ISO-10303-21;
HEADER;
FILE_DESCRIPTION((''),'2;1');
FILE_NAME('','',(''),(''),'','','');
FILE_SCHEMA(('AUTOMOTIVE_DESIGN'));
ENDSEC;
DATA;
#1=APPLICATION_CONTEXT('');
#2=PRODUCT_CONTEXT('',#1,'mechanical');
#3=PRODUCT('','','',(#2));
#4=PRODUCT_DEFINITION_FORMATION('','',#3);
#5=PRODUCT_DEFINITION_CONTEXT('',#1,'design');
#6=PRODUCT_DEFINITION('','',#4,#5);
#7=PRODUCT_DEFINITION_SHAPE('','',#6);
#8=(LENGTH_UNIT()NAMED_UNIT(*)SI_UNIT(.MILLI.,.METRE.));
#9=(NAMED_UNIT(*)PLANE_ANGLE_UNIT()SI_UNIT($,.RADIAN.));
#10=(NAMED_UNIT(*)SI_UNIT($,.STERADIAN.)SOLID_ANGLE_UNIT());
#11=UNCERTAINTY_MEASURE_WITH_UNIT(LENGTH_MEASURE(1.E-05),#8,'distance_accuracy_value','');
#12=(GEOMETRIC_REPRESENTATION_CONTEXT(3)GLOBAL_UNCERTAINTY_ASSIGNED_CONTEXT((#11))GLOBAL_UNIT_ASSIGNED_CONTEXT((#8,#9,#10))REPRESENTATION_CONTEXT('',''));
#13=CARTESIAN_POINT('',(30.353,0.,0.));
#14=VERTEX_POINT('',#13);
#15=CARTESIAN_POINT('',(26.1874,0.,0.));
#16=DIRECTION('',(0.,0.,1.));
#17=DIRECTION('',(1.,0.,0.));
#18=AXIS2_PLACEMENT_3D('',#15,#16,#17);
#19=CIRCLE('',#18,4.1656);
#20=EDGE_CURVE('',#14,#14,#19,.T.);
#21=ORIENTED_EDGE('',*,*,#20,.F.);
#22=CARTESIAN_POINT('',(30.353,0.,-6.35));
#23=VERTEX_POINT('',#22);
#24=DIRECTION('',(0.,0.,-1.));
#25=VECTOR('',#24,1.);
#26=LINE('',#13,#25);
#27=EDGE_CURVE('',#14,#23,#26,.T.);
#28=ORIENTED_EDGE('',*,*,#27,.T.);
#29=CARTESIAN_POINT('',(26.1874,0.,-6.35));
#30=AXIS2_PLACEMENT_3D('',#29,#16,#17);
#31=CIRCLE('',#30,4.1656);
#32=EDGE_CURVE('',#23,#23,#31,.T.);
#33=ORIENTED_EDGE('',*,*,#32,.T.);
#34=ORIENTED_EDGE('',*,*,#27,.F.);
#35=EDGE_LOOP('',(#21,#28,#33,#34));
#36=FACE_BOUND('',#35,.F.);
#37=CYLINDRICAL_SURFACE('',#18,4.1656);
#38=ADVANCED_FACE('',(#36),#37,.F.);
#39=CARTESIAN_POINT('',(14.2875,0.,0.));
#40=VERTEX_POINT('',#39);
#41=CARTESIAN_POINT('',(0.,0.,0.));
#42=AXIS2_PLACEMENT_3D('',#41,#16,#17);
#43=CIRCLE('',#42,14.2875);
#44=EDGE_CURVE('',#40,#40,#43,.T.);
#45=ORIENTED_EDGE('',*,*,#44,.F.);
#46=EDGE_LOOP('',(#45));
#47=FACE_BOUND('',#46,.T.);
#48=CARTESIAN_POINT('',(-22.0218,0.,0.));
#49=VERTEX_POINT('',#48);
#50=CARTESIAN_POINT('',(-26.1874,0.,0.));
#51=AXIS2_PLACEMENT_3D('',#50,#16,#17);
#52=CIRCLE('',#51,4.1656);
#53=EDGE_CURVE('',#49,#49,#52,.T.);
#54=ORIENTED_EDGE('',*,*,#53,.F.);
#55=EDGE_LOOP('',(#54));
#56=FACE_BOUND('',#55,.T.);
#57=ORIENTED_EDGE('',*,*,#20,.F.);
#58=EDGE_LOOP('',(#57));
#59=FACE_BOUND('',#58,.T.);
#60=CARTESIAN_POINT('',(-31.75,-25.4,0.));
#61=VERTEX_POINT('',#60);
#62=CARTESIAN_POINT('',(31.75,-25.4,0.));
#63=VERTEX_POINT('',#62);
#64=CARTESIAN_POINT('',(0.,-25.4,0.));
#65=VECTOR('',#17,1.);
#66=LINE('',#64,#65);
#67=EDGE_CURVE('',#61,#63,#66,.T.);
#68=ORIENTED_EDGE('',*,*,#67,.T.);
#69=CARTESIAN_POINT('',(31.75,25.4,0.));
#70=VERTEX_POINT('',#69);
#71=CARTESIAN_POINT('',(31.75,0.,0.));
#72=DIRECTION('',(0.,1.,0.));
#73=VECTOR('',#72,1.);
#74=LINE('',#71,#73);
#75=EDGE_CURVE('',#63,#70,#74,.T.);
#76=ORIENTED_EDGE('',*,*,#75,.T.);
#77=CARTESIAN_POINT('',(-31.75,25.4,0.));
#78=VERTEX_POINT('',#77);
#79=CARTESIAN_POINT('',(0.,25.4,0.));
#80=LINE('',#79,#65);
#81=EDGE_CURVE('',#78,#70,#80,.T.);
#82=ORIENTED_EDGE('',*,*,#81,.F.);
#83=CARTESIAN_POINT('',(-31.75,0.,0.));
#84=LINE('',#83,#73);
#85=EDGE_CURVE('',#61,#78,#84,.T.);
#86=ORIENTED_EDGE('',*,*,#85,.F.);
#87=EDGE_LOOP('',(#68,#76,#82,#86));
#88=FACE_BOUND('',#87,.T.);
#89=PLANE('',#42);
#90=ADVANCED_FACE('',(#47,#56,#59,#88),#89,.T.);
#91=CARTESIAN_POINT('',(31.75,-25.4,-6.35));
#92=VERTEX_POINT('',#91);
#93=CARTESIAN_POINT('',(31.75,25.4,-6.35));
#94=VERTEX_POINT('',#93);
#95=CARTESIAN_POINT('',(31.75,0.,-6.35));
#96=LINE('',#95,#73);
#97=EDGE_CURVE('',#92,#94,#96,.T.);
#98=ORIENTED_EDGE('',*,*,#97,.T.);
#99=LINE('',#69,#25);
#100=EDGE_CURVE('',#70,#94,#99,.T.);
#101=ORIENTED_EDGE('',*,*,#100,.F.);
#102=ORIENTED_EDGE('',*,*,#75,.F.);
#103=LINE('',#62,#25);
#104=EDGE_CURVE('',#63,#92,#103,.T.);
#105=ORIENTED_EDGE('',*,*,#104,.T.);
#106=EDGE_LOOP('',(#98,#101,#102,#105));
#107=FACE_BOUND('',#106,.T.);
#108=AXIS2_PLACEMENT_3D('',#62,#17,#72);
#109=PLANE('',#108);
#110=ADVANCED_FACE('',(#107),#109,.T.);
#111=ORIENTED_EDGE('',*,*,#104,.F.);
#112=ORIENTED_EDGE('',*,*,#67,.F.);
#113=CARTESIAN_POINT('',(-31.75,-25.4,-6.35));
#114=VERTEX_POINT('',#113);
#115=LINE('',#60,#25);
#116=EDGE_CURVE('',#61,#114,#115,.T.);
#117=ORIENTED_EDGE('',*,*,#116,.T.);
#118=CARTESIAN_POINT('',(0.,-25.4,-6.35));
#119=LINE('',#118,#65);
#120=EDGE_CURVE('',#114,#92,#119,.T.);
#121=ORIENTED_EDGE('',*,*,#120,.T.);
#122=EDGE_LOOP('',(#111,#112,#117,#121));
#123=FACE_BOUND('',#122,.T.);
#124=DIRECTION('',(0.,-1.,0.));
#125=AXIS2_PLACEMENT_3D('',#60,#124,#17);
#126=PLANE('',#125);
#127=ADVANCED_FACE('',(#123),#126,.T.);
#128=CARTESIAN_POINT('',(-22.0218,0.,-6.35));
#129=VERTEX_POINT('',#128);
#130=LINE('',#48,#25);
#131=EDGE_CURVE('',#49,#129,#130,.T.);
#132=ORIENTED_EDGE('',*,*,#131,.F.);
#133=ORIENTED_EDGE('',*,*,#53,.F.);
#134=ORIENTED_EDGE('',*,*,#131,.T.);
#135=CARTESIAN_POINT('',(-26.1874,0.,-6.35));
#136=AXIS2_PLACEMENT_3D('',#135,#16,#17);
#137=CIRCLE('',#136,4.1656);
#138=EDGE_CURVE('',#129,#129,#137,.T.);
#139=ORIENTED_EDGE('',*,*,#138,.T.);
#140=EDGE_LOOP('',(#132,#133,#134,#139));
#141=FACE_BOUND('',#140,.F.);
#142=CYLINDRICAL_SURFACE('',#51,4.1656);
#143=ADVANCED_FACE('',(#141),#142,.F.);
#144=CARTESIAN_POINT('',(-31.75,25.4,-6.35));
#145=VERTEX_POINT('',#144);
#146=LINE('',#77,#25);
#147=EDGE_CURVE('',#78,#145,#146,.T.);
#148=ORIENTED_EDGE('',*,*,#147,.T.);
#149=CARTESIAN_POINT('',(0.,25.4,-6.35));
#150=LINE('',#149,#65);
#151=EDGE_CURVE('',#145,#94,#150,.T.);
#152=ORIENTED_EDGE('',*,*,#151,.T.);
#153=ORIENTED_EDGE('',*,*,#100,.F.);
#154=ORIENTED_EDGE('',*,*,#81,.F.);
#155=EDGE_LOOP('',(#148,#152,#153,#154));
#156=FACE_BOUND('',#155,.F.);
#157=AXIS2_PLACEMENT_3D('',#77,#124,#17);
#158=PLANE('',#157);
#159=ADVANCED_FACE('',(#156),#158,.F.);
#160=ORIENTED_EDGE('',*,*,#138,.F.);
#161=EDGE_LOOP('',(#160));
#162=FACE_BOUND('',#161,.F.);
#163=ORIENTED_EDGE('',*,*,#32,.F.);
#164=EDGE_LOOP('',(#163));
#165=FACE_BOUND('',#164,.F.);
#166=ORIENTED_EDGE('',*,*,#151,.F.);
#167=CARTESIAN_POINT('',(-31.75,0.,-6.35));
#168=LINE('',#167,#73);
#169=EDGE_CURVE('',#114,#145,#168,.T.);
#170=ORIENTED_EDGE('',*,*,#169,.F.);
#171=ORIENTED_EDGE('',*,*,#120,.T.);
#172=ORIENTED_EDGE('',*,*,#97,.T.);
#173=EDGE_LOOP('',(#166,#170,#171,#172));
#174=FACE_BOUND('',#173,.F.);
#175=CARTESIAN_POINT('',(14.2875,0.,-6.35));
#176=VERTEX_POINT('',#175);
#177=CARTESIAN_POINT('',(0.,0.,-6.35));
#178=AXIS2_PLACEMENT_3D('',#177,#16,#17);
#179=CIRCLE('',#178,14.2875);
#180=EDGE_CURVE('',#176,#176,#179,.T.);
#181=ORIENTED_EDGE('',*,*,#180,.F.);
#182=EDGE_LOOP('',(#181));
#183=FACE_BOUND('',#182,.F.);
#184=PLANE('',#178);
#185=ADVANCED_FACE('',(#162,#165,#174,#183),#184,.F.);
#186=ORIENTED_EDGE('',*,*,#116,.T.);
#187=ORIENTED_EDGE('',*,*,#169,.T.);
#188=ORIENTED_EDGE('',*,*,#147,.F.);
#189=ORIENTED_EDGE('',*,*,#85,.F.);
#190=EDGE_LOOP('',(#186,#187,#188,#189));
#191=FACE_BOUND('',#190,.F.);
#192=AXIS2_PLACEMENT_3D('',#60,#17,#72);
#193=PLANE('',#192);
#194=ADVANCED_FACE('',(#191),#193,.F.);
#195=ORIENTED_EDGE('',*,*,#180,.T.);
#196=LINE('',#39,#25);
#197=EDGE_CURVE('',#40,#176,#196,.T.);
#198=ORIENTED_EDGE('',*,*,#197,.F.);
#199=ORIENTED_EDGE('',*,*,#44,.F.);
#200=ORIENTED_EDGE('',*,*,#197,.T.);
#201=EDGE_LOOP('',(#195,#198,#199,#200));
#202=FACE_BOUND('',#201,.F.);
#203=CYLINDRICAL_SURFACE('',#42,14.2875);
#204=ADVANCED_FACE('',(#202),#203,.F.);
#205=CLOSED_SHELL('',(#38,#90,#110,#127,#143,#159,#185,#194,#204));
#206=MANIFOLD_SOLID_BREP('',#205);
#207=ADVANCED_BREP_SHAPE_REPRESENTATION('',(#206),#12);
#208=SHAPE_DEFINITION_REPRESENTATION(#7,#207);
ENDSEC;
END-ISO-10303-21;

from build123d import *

# Parameters (mm, degrees)
F0_W     = 63.5
F0_H     = 50.8
F0_R     = 4.1656
F0_R_2   = 14.2875
F1_DEPTH = 6.35


with BuildPart() as f1:
    # F0 (on Top) → F1 (new body)
    with BuildSketch(Plane.XY):
        Rectangle(F0_W, F0_H)
        with Locations((-26.1874, 0)):
            Circle(F0_R, mode=Mode.SUBTRACT)
        Circle(F0_R_2, mode=Mode.SUBTRACT)
        with Locations((26.1874, 0)):
            Circle(F0_R, mode=Mode.SUBTRACT)
    extrude(amount=-F1_DEPTH)


solid = f1.part
